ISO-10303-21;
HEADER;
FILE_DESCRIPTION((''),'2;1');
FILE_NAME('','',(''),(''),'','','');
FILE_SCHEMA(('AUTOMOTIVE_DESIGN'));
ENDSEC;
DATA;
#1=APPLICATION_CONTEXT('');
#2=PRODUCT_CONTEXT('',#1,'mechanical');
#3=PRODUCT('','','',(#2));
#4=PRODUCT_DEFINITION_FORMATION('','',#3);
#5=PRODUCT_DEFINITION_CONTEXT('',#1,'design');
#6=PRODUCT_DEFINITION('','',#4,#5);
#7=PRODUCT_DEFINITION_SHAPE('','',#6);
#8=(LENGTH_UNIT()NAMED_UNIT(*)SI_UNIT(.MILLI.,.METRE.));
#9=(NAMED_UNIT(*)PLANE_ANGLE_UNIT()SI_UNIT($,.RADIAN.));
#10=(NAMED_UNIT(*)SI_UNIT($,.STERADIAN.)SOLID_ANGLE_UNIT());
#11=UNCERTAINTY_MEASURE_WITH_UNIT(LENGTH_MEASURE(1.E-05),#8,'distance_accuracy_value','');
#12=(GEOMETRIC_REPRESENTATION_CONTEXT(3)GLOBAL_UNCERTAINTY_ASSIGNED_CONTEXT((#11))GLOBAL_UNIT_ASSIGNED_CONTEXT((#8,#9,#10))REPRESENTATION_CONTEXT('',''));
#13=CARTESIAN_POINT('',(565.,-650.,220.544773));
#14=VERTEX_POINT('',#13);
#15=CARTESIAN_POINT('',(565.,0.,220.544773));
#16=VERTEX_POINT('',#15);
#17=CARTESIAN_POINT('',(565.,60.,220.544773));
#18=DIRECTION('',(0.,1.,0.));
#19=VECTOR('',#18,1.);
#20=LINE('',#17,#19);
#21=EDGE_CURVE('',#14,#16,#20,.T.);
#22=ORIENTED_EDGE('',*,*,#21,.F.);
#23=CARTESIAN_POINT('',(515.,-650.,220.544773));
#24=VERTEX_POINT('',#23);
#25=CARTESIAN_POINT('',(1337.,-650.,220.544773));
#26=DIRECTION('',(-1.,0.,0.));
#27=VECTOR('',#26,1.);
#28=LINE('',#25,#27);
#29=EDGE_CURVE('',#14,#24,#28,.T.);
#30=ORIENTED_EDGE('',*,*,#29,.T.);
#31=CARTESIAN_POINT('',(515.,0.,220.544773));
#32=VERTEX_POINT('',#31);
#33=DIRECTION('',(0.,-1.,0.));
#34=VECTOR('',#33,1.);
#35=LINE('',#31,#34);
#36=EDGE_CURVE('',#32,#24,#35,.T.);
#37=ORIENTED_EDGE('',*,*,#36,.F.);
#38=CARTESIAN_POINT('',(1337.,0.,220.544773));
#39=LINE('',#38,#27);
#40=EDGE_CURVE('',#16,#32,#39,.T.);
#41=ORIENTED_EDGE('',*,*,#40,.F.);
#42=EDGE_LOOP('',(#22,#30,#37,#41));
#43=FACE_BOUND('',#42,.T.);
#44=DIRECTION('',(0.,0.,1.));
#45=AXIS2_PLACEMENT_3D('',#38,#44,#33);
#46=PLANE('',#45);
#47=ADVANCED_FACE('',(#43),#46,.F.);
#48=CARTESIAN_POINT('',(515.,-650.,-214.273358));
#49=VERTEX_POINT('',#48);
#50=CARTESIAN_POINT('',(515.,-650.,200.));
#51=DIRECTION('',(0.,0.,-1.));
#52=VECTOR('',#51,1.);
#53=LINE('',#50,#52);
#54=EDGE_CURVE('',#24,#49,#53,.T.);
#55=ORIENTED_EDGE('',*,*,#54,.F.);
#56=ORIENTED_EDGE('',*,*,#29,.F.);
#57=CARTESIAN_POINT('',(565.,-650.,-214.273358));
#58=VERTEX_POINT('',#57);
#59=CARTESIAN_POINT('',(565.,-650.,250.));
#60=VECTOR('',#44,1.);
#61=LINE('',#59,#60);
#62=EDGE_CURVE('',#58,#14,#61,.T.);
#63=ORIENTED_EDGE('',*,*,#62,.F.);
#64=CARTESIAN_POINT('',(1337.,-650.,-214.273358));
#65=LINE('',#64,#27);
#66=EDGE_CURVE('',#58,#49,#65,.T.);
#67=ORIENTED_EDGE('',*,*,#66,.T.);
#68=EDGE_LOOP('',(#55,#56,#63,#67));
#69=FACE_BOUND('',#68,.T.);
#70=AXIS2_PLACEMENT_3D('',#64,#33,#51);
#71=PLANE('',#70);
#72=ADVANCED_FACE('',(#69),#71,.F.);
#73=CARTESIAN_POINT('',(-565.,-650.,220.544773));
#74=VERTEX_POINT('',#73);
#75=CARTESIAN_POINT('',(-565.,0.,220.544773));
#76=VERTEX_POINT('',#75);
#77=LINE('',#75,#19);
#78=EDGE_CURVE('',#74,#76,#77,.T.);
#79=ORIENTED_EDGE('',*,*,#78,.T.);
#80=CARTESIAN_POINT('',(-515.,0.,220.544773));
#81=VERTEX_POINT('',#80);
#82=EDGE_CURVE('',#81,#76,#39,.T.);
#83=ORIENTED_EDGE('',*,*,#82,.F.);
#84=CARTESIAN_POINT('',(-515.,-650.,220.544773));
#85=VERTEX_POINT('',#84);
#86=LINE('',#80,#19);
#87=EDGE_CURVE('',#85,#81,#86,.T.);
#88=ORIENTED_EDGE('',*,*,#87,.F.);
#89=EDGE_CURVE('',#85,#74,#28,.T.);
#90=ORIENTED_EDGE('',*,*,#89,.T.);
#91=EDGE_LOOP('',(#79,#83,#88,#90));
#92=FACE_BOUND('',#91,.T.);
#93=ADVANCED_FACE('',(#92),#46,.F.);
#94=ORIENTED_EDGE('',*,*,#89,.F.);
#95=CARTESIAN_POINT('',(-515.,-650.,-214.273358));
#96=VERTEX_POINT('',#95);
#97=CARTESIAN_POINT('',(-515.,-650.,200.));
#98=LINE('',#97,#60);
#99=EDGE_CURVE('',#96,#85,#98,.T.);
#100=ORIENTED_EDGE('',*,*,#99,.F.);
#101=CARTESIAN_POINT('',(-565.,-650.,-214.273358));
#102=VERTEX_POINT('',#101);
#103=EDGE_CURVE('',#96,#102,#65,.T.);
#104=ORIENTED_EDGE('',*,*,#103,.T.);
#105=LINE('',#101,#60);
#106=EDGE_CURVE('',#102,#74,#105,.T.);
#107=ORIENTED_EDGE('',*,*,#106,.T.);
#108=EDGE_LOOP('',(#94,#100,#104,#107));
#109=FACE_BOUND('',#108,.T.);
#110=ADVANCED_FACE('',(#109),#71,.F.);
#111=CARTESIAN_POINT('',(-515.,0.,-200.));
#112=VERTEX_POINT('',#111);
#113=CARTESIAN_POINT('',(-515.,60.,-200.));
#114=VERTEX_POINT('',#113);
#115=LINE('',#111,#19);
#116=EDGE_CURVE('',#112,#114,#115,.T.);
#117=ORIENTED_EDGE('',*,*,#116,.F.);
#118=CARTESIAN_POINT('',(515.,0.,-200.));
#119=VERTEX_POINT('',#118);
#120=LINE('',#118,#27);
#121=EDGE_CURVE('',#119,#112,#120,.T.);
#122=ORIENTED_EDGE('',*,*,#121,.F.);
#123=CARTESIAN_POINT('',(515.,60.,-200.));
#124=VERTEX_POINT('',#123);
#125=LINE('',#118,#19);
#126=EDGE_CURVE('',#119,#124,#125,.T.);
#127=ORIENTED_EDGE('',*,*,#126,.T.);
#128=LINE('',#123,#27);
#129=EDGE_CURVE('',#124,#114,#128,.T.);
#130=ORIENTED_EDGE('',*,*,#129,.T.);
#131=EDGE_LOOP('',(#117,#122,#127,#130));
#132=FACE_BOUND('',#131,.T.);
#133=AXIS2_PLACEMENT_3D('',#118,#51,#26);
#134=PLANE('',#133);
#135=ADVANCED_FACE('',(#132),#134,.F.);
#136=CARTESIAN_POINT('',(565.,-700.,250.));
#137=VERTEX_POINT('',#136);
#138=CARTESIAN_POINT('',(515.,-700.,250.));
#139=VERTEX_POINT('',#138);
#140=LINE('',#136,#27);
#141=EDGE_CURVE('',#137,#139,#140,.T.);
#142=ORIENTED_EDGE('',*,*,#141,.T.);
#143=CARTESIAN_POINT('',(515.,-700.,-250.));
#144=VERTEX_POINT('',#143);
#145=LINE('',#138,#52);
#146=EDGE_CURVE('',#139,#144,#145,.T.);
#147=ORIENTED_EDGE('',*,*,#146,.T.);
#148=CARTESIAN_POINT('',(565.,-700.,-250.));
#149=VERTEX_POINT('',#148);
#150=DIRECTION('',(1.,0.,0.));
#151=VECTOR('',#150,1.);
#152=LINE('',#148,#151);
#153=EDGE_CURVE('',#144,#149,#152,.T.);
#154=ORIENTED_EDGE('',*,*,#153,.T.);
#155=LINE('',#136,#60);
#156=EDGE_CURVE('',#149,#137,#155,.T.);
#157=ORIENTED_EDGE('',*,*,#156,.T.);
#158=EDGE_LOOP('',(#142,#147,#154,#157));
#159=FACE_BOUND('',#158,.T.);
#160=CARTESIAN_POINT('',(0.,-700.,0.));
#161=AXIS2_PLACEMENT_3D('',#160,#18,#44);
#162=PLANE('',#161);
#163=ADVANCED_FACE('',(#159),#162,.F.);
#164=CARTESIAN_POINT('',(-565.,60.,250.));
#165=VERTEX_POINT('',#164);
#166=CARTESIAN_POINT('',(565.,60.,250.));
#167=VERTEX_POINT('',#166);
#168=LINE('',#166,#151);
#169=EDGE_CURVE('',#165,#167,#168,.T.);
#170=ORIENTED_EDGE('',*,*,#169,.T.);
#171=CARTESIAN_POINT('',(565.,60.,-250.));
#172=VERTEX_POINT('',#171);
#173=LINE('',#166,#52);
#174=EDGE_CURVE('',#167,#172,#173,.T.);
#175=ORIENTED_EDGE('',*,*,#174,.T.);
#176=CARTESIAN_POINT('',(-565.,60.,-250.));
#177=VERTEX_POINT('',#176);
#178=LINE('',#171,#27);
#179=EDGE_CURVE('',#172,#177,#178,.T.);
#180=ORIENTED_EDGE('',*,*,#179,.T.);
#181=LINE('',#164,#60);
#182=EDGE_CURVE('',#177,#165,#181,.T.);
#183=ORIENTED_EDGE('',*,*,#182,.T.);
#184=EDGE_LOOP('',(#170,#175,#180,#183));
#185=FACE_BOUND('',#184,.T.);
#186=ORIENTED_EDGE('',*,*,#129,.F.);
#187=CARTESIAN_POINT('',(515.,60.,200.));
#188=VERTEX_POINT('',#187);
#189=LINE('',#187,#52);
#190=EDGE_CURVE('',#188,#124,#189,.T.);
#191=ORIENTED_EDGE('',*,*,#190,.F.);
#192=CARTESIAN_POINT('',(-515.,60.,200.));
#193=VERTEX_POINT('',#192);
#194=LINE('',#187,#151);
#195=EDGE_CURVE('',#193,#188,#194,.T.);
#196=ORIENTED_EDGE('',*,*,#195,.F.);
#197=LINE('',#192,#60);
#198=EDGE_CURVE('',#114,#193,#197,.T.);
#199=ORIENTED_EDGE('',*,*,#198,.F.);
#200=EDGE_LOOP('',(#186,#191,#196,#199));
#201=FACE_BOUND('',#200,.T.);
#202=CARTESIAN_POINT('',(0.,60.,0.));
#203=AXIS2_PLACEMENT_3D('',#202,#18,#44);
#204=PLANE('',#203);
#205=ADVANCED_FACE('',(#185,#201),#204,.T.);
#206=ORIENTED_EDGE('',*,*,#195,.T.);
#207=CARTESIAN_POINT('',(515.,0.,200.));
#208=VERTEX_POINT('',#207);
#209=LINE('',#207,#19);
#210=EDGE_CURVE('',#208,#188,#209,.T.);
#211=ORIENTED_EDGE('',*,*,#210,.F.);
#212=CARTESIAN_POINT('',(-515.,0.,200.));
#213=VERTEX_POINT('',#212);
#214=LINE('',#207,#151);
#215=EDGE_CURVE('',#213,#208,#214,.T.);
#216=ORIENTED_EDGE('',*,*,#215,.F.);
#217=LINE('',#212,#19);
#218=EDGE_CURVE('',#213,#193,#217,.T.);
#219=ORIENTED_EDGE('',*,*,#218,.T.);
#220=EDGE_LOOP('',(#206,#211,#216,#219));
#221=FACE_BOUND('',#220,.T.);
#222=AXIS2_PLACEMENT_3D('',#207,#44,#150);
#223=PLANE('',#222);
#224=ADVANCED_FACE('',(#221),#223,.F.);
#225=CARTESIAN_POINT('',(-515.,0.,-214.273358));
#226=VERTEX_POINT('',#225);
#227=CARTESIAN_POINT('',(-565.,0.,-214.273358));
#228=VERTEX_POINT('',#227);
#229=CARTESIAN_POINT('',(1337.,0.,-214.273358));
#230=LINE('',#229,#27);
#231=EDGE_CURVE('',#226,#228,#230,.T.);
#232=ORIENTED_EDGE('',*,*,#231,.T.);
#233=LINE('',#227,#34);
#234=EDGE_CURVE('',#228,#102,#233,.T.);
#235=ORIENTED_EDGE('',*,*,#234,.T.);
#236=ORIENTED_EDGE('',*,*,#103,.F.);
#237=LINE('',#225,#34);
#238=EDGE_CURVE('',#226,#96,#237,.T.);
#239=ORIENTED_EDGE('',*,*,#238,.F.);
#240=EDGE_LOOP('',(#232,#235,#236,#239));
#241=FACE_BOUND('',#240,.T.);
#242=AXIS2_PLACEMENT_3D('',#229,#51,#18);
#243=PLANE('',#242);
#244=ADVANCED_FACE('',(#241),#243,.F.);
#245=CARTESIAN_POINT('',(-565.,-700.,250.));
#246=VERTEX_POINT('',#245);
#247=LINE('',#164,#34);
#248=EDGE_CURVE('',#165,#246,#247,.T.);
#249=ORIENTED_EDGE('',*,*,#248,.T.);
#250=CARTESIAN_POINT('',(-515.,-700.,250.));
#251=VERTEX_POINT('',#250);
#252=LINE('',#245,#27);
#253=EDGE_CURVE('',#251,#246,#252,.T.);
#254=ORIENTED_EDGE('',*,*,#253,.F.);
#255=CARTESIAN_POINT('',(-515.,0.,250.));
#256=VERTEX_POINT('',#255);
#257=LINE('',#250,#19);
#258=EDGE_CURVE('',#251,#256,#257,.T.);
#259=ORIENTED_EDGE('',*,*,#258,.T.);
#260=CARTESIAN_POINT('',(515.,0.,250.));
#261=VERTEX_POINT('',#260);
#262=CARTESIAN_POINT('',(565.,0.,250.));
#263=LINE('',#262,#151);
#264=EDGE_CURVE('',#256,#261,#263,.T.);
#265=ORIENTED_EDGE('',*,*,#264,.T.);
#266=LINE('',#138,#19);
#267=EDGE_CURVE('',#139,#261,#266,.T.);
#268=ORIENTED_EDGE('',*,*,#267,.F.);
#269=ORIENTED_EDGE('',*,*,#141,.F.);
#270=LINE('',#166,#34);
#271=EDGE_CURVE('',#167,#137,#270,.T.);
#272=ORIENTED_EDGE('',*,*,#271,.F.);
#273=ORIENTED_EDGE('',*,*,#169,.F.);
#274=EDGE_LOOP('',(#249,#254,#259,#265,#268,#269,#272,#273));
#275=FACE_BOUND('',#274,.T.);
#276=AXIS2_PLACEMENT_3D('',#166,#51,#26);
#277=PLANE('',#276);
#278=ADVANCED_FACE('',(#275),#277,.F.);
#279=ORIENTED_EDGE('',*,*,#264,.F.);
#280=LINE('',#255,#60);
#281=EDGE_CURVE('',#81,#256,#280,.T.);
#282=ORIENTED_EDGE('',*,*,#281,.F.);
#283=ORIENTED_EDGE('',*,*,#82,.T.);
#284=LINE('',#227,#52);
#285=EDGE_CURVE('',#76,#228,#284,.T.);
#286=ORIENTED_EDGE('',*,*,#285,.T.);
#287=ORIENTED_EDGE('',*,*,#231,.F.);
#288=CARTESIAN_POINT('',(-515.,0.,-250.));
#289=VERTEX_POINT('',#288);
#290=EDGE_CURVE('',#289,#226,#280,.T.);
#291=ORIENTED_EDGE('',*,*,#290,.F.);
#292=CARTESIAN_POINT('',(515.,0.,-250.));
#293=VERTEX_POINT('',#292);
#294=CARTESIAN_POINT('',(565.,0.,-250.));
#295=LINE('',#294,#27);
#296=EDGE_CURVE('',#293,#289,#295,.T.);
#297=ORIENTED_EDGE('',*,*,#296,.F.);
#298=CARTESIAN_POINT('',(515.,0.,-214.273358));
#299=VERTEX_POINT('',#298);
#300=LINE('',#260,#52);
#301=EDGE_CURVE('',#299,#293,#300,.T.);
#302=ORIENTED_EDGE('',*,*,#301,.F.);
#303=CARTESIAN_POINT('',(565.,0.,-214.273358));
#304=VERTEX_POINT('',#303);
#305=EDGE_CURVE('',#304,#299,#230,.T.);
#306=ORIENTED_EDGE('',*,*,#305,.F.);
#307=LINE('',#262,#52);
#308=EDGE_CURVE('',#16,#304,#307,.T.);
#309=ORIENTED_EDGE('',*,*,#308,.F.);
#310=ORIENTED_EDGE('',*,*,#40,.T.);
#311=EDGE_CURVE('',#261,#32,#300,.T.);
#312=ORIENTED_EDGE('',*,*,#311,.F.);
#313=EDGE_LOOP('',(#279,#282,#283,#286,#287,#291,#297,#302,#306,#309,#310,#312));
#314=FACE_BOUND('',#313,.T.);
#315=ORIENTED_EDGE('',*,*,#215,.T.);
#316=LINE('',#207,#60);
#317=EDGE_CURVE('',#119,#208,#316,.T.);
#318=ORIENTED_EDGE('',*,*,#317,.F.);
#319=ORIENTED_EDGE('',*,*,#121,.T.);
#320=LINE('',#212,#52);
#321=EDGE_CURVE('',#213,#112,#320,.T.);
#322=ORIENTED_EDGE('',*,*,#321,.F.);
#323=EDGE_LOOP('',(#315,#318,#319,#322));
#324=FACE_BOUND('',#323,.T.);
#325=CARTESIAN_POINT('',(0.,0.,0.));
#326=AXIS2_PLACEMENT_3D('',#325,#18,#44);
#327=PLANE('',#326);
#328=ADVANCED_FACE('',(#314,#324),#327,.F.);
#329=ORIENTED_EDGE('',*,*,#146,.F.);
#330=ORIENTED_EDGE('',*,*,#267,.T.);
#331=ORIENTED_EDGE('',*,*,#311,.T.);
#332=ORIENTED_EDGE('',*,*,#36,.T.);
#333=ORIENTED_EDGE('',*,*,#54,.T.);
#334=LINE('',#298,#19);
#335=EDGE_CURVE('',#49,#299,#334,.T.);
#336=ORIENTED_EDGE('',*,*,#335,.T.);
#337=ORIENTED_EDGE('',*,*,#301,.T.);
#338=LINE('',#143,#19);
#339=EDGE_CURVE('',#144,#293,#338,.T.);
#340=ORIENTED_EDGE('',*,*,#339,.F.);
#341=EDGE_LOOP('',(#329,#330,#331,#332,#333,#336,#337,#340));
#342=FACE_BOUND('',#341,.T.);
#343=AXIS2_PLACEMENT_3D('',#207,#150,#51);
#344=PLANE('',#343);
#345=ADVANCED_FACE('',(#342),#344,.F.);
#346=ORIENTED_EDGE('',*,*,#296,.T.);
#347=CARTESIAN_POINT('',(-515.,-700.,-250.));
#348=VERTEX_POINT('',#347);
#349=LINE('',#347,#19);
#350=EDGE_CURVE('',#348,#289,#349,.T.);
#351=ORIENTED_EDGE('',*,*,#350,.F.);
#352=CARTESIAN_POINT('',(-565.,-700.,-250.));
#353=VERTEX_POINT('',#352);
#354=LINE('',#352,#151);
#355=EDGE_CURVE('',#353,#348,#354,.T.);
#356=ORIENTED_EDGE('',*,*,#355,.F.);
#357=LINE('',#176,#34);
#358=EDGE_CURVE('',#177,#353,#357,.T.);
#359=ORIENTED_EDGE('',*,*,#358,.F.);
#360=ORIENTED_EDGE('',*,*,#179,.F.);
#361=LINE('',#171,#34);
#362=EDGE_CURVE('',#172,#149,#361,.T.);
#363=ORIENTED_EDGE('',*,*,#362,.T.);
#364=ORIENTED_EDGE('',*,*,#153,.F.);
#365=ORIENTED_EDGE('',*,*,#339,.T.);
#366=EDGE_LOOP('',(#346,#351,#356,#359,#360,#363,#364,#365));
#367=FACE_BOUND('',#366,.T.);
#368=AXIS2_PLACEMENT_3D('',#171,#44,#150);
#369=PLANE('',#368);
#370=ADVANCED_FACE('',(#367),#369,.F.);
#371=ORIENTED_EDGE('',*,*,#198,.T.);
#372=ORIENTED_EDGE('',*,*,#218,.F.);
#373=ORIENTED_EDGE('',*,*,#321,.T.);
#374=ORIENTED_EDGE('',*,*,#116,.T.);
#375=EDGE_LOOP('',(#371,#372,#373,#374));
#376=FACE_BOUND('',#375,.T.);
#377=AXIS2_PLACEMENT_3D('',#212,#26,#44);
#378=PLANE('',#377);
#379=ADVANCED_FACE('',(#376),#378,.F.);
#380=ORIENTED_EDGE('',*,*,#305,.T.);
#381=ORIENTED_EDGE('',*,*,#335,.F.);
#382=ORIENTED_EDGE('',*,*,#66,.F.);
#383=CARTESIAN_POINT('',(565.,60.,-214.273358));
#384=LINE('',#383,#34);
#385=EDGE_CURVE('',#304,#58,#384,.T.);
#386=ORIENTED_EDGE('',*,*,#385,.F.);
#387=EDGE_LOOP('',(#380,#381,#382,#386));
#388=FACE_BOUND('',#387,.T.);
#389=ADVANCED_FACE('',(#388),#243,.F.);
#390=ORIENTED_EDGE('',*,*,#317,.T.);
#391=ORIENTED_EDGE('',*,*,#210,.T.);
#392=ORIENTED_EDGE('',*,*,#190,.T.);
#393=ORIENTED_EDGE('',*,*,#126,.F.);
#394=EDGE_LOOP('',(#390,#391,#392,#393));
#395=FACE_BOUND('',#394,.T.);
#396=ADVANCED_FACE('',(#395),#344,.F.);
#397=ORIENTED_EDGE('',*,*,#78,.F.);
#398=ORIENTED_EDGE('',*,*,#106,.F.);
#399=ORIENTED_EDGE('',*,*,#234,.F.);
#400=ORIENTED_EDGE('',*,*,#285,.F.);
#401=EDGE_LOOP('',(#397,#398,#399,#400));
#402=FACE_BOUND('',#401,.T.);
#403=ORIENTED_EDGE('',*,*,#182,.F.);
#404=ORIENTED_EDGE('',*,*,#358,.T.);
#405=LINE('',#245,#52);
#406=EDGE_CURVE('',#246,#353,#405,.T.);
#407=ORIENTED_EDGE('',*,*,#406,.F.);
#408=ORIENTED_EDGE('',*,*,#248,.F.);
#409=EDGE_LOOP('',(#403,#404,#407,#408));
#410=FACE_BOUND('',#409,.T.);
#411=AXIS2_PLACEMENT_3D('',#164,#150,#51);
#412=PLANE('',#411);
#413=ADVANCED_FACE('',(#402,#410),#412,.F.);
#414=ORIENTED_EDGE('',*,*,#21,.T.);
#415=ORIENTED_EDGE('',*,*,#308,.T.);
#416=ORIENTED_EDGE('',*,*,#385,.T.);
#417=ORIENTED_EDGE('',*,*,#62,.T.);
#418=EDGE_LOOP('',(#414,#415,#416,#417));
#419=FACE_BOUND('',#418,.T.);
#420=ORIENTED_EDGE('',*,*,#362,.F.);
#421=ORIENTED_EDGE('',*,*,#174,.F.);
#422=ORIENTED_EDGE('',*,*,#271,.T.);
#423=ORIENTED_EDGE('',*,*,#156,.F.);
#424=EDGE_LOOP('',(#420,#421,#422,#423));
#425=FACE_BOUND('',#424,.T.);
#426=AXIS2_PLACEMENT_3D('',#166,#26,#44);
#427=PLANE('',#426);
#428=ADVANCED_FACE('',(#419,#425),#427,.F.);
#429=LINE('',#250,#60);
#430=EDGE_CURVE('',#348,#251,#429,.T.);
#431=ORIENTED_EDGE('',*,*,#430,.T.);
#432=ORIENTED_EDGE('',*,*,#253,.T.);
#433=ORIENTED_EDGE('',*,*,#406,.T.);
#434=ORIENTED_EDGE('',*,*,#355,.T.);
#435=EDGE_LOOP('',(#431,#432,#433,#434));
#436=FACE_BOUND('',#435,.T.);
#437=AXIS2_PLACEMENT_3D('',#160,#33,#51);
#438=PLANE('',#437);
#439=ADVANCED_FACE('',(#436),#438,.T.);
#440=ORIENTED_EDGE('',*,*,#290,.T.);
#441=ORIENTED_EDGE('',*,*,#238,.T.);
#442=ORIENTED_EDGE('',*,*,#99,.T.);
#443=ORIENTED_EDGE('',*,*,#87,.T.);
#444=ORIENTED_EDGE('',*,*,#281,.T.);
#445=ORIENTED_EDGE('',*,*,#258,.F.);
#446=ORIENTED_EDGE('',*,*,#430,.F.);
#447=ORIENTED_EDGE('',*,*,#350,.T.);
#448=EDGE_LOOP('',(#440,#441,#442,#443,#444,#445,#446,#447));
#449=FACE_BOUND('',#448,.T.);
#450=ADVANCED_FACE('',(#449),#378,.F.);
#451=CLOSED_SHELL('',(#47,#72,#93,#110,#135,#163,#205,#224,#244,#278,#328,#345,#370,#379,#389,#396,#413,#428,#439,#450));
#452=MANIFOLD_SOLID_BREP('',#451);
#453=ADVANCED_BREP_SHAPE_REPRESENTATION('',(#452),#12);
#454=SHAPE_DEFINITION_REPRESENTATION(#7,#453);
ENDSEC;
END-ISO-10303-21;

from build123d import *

# Parameters (mm, degrees)
SKETCH1_W           = 1130
SKETCH1_H           = 500
BOSS_EXTRUDE1_DEPTH = 60
SKETCH2_W           = 1030
SKETCH2_H           = 400
CUT_EXTRUDE1_DEPTH  = 60
SKETCH3_W           = 50
SKETCH3_H           = 500
BOSS_EXTRUDE3_DEPTH = 700
SKETCH5_W           = 434.818131318
SKETCH5_H           = 650
CUT_EXTRUDE2_DEPTH  = 1902


with BuildPart() as part:
    # Sketch1 → Boss-Extrude1 (new body)
    with BuildSketch(Plane(origin=(0, 0, 0), x_dir=(1, 0, 0), z_dir=(0, 1, 0))):
        Rectangle(SKETCH1_W, SKETCH1_H)
    extrude(amount=BOSS_EXTRUDE1_DEPTH)

    # Sketch2 → Cut-Extrude1 (cut)
    with BuildSketch(Plane(origin=(0, 60, 0), x_dir=(1, 0, 0), z_dir=(0, 1, 0))):
        Rectangle(SKETCH2_W, SKETCH2_H)
    extrude(amount=-CUT_EXTRUDE1_DEPTH, mode=Mode.SUBTRACT)

    # Sketch3 → Boss-Extrude3 (add)
    with BuildSketch(Plane(origin=(0, 0, 0), x_dir=(-1, 0, 0), z_dir=(0, -1, 0))):
        with Locations((540, 0)):
            Rectangle(SKETCH3_W, SKETCH3_H)
        with Locations((-540, 0)):
            Rectangle(SKETCH3_W, SKETCH3_H)
    extrude(amount=BOSS_EXTRUDE3_DEPTH)

    # Sketch5 → Cut-Extrude2 (cut)
    with BuildSketch(Plane.ZY.offset(565)):
        with Locations((3.135707678, -325)):
            Rectangle(SKETCH5_W, SKETCH5_H)
    extrude(amount=-CUT_EXTRUDE2_DEPTH, mode=Mode.SUBTRACT)


solid = part.part
